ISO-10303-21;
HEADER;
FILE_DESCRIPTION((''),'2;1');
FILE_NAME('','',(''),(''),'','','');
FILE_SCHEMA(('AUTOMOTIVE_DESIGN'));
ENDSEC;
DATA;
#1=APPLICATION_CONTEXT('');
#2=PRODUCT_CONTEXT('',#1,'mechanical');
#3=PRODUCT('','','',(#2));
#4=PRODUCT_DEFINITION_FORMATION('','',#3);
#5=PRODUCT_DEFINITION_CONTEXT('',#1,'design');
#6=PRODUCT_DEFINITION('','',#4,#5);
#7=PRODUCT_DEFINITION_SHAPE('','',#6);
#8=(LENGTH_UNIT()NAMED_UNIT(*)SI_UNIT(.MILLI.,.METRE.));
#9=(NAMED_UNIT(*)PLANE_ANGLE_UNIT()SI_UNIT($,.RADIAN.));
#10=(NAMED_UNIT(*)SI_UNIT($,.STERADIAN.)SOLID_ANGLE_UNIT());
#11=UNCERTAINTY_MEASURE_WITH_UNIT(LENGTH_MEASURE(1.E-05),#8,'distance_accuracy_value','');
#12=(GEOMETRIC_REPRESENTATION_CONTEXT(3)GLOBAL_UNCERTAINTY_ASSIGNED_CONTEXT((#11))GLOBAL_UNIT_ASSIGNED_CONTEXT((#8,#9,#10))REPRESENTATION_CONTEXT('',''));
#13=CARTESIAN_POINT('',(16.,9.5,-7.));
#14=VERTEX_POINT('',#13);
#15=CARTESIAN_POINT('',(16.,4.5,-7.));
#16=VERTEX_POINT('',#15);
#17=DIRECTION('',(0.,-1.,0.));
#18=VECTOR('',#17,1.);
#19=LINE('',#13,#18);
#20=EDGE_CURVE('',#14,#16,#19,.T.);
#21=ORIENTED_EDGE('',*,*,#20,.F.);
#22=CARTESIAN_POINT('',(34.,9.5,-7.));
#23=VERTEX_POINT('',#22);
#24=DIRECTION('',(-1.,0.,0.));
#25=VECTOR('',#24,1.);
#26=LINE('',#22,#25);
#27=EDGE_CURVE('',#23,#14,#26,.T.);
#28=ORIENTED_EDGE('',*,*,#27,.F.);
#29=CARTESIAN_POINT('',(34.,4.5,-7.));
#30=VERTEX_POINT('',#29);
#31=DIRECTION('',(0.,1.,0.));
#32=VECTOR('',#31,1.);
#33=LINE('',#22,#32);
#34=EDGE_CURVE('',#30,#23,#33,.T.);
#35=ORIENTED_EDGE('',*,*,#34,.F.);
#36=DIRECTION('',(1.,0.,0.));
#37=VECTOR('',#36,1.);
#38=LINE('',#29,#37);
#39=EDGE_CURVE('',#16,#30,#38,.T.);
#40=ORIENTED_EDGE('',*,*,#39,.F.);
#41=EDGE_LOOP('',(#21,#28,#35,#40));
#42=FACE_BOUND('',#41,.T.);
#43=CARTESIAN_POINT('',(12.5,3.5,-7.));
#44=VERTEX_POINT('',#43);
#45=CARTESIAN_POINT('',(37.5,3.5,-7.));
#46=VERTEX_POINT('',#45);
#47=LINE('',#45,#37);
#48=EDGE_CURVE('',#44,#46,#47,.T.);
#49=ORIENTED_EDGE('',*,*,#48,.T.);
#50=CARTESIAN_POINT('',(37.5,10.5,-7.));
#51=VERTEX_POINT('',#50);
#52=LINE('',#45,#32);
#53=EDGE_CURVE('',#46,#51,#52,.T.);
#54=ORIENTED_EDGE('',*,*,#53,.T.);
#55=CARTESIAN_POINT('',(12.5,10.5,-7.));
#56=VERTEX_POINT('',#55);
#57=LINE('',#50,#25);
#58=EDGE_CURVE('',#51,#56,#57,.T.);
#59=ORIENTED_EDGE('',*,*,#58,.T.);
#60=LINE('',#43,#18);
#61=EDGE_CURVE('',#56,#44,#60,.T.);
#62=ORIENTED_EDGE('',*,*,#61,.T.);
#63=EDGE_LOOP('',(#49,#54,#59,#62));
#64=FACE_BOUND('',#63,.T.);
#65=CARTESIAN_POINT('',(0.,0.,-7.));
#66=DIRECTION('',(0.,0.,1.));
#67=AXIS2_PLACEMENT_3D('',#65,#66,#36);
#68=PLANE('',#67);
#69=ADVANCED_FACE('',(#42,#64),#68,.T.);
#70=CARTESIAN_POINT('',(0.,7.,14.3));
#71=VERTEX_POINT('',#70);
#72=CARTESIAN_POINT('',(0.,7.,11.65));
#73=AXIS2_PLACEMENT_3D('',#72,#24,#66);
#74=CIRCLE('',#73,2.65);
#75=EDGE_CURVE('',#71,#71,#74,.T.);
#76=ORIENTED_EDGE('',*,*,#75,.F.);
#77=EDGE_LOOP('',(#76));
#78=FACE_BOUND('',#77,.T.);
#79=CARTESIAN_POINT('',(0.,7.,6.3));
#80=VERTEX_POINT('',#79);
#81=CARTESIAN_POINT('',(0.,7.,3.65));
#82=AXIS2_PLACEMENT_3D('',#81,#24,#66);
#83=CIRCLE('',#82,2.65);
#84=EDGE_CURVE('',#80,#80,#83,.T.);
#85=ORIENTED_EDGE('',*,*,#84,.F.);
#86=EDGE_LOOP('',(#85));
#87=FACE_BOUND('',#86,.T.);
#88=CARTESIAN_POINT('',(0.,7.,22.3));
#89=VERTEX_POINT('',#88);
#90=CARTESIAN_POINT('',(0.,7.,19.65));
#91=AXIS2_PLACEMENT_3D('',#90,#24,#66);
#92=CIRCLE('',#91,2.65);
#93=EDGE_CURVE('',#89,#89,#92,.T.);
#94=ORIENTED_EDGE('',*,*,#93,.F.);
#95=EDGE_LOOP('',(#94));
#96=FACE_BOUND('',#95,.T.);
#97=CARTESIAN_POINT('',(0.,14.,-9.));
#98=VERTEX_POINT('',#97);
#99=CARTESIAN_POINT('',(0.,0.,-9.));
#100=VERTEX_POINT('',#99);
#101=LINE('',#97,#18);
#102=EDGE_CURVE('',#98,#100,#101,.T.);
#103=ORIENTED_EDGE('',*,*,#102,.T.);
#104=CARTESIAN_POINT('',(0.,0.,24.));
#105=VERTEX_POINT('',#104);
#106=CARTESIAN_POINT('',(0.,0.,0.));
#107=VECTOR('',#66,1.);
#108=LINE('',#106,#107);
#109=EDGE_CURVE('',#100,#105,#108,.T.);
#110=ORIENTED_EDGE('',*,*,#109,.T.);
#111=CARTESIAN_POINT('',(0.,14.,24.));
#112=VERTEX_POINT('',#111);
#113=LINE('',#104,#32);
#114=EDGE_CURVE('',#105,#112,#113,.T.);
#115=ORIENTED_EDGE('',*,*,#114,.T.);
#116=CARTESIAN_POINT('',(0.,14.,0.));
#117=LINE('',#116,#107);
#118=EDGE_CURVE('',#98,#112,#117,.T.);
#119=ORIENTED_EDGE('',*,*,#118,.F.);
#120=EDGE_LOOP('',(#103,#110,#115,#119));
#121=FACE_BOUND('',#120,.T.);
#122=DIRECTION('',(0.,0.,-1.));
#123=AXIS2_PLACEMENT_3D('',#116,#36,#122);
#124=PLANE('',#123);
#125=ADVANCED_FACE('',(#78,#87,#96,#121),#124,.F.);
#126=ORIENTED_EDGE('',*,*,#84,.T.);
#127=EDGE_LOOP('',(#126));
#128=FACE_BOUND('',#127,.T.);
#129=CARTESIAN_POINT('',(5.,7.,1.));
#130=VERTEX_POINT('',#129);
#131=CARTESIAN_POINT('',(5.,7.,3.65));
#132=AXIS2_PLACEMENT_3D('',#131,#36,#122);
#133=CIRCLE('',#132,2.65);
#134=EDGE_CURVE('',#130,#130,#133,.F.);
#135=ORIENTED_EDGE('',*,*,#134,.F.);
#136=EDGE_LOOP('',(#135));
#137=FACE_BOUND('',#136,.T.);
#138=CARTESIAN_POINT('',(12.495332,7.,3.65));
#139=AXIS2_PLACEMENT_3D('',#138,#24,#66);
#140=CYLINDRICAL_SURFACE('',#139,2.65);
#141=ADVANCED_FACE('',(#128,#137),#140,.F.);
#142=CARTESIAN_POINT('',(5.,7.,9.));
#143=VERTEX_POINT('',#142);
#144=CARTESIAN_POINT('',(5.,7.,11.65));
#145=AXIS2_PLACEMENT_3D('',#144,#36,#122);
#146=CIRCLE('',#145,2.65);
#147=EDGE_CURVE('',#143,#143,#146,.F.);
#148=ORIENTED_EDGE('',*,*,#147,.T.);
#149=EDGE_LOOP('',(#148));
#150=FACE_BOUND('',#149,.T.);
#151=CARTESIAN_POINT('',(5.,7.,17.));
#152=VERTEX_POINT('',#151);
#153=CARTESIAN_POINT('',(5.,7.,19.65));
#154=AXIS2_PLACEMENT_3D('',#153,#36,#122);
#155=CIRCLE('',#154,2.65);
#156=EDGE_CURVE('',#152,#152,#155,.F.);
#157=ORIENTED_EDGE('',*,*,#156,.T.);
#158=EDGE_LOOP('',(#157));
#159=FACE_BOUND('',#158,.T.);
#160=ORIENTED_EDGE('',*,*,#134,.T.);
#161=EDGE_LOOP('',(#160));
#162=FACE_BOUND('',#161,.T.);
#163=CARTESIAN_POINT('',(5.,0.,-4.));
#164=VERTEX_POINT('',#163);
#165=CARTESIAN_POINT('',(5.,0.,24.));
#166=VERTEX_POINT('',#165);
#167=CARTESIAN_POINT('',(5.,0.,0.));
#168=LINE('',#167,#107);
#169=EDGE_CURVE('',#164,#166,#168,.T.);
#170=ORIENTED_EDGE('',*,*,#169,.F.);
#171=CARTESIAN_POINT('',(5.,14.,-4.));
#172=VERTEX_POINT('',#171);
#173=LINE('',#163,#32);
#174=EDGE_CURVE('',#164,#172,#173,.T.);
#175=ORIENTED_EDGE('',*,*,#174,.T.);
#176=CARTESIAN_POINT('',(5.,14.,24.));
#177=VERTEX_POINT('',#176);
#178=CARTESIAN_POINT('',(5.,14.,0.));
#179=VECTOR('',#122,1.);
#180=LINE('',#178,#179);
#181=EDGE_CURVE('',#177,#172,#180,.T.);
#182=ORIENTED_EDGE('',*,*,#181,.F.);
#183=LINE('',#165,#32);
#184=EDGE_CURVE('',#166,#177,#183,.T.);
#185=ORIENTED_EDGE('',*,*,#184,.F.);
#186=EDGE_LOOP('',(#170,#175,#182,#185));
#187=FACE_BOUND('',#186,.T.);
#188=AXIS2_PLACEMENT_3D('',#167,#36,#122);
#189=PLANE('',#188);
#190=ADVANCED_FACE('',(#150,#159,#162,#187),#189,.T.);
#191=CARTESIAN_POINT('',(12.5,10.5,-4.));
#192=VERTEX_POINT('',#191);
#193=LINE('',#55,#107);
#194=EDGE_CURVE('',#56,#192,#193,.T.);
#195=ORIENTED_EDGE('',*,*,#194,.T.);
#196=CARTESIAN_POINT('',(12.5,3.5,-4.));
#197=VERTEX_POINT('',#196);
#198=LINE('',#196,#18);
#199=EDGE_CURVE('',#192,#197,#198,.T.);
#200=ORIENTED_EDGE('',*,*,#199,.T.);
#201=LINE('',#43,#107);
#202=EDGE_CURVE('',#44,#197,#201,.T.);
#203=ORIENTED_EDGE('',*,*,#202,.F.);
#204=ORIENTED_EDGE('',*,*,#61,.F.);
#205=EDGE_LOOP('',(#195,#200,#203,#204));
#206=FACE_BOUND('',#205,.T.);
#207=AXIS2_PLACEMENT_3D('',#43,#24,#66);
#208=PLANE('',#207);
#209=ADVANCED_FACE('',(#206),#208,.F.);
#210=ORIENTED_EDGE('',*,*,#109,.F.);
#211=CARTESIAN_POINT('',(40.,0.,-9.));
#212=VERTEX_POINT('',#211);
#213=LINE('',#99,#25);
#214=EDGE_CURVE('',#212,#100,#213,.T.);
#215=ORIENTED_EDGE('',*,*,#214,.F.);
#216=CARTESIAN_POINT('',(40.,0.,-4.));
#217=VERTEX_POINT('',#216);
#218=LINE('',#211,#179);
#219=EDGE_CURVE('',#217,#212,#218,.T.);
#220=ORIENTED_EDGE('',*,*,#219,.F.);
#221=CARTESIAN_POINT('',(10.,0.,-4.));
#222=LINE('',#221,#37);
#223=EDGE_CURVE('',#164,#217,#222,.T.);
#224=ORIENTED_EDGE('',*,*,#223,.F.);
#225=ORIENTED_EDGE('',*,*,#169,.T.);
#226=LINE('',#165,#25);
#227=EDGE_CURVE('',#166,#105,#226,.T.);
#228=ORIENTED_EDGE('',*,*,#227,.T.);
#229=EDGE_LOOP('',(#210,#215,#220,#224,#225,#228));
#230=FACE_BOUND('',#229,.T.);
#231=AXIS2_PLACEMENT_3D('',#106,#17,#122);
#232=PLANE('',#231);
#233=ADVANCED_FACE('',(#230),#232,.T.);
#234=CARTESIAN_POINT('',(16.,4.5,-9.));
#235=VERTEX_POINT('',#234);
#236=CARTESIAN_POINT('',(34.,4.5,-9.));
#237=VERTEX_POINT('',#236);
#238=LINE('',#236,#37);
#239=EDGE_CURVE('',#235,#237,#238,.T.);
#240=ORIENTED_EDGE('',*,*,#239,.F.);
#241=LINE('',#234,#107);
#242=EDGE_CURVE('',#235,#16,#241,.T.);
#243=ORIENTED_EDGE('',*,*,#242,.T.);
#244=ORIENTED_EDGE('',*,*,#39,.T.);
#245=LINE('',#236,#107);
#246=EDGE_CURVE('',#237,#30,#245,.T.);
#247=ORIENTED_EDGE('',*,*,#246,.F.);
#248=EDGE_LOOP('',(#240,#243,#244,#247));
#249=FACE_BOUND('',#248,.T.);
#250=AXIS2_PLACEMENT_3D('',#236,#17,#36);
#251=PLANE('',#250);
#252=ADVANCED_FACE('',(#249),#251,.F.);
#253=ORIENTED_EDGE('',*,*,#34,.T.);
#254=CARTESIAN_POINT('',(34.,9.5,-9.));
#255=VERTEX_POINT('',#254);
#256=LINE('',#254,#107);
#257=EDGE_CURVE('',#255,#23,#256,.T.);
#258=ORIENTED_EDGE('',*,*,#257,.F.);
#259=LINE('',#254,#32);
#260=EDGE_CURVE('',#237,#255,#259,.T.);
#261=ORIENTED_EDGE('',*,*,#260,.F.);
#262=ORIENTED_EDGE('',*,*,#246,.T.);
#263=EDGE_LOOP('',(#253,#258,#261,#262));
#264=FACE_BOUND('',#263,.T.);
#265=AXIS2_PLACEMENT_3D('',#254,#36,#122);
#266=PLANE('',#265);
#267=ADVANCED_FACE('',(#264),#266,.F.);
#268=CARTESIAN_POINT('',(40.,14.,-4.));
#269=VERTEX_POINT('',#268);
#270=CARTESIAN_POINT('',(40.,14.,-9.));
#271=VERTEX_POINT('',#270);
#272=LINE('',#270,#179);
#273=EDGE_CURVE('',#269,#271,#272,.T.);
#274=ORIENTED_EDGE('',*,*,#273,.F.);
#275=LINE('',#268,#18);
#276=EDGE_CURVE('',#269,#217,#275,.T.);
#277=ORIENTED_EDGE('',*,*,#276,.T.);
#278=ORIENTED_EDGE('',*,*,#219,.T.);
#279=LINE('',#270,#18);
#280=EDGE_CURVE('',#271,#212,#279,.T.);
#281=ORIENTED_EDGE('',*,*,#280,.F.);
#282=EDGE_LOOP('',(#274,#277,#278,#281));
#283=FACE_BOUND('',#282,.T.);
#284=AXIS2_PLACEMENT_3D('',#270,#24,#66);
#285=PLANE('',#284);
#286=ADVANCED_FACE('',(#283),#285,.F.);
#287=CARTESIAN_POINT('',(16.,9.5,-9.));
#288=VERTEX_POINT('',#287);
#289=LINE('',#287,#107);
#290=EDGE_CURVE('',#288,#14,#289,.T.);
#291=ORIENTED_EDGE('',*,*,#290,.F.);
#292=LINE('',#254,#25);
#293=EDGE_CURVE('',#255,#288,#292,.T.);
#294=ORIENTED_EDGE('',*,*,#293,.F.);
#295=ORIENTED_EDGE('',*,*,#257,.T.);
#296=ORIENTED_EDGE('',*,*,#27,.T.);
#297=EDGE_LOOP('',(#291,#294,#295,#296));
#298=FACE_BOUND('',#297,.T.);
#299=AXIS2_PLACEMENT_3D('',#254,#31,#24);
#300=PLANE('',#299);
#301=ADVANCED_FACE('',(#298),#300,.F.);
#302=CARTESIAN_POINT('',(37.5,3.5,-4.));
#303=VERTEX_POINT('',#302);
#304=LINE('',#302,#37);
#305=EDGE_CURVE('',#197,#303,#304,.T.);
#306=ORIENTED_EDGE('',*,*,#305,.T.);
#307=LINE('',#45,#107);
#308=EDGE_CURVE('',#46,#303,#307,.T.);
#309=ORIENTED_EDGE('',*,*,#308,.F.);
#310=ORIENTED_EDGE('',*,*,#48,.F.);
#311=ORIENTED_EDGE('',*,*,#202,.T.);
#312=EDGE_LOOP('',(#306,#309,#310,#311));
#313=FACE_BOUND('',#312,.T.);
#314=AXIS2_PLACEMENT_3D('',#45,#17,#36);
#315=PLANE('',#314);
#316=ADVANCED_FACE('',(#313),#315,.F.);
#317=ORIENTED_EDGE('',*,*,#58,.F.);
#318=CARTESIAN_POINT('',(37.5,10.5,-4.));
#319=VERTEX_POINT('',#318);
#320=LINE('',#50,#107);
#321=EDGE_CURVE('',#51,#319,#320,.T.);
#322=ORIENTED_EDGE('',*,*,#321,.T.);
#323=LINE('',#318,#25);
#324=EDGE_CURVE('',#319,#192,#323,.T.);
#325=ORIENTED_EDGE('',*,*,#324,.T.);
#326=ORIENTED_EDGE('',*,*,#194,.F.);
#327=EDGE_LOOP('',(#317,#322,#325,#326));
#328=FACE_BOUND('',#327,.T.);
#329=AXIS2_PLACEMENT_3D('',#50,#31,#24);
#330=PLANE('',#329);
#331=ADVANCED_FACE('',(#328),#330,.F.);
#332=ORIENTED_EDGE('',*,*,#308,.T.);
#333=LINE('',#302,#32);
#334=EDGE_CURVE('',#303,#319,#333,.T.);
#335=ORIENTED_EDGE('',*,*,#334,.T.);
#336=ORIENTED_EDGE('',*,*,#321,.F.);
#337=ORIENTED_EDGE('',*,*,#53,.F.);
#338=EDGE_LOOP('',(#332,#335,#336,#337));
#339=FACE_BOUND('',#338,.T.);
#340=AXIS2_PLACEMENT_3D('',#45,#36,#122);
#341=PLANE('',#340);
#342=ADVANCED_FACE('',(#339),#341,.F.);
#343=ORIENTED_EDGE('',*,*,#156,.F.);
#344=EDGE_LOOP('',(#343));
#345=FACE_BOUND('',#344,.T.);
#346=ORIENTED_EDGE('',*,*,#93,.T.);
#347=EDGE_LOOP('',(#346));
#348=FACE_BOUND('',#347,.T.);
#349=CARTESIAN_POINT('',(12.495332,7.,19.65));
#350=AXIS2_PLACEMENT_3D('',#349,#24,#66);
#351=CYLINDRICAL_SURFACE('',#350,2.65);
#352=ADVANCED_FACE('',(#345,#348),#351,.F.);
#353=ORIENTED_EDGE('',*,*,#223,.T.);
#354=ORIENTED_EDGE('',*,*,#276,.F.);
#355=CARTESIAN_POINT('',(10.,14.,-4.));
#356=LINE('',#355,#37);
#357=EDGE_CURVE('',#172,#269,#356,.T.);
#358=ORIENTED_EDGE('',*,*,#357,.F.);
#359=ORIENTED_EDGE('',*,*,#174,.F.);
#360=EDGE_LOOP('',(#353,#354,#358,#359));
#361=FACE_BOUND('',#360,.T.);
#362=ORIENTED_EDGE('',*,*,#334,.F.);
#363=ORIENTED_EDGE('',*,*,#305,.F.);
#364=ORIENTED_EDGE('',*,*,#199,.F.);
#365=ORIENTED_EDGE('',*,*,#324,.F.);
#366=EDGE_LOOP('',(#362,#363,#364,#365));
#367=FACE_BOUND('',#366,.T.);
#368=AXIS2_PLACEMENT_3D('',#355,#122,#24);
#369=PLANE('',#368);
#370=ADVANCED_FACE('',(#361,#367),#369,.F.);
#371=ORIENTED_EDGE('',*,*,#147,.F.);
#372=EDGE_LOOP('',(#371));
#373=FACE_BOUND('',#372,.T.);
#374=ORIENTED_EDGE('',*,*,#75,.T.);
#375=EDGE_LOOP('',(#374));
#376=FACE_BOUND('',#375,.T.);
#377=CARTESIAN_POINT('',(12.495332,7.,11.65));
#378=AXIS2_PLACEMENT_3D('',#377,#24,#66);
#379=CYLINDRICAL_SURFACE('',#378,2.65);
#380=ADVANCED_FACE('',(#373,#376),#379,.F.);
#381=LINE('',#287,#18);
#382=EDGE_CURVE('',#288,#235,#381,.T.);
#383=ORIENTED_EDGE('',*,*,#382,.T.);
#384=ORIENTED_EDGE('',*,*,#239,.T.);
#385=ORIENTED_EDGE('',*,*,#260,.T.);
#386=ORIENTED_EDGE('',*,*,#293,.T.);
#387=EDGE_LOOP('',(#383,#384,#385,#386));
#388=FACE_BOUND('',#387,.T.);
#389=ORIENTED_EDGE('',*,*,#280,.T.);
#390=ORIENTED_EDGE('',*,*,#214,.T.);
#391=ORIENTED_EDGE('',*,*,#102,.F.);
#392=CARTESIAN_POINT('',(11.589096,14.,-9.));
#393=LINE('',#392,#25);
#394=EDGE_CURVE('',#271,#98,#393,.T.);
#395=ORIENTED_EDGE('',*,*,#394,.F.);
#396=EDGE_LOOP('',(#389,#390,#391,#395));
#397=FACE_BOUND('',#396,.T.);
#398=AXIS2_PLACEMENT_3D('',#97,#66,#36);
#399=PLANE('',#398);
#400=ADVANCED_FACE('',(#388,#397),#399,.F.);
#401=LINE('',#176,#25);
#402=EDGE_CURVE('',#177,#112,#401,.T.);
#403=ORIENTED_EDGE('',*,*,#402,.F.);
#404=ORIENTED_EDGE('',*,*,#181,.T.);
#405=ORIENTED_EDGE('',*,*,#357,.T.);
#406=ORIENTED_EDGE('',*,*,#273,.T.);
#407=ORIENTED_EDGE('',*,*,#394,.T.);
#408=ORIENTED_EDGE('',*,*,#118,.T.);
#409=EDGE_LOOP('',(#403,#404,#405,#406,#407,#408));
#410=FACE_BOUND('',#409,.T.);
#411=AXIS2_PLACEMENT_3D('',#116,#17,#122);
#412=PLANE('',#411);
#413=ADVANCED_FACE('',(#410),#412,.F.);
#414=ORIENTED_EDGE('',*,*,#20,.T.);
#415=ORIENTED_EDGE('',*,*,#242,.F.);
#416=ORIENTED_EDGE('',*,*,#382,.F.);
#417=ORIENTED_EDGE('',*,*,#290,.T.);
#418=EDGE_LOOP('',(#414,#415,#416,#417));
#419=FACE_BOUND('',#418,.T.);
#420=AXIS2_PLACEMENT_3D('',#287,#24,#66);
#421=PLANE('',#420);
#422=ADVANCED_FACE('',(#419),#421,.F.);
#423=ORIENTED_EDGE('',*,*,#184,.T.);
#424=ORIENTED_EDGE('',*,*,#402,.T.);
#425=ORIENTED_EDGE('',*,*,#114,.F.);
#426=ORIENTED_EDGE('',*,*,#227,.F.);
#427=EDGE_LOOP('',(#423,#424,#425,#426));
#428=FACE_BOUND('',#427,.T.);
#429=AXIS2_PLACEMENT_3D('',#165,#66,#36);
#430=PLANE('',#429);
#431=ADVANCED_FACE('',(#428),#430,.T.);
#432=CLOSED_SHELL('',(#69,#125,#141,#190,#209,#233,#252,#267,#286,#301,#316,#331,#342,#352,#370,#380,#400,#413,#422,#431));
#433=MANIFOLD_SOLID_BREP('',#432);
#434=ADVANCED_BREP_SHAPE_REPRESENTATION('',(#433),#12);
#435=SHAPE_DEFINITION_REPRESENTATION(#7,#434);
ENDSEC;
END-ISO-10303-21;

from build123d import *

# Parameters (mm, degrees)
BOSS_EXTRUDE1_DEPTH  = 14
SKETCH2_W            = 25
SKETCH2_H            = 7
CUT_EXTRUDE3_DEPTH   = 3
SKETCH10_W           = 18
SKETCH10_H           = 5
CUT_EXTRUDE4_DEPTH   = 43.95346319
SKETCH20_W           = 24
SKETCH20_H           = 14
BOSS_EXTRUDE10_DEPTH = 5
SKETCH21_R           = 2.65
CUT_EXTRUDE13_DEPTH  = 5
SKETCH22_W           = 5
SKETCH22_H           = 4
CUT_EXTRUDE14_DEPTH  = 49.703182648
SKETCH23_R           = 2.65
BOSS_EXTRUDE11_DEPTH = 5


with BuildPart() as part:
    # Sketch1 → Boss-Extrude1 (new body)
    with BuildSketch(Plane(origin=(0, 0, 0), x_dir=(1, 0, 0), z_dir=(0, 1, 0))):
        Polygon((6.589095597, 0), (10, 0), (10, 4), (40, 4), (40, 9), (11.589095597, 9), (0, 9), (0, 0), align=None)
    extrude(amount=BOSS_EXTRUDE1_DEPTH)

    # Sketch2 → Cut-Extrude3 (cut)
    with BuildSketch(Plane.XY.offset(-4)):
        with Locations((25, 7)):
            Rectangle(SKETCH2_W, SKETCH2_H)
    extrude(amount=-CUT_EXTRUDE3_DEPTH, mode=Mode.SUBTRACT)

    # Sketch10 → Cut-Extrude4 (cut, through all)
    with BuildSketch(Plane.XY.offset(-7)):
        with Locations((25, 7)):
            Rectangle(SKETCH10_W, SKETCH10_H)
    extrude(amount=-CUT_EXTRUDE4_DEPTH, mode=Mode.SUBTRACT)

    # Sketch20 → Boss-Extrude10 (add)
    with BuildSketch(Plane.ZY):
        with Locations((12, 7)):
            Rectangle(SKETCH20_W, SKETCH20_H)
    extrude(amount=-BOSS_EXTRUDE10_DEPTH)

    # Sketch21 → Cut-Extrude13 (cut)
    with BuildSketch(Plane.ZY):
        with Locations((-4.35, 7)):
            Circle(SKETCH21_R)
        with Locations((3.65, 7)):
            Circle(SKETCH21_R)
        with Locations((11.65, 7)):
            Circle(SKETCH21_R)
        with Locations((19.65, 7)):
            Circle(SKETCH21_R)
    extrude(amount=-CUT_EXTRUDE13_DEPTH, mode=Mode.SUBTRACT)

    # Sketch22 → Cut-Extrude14 (cut, through all)
    with BuildSketch(Plane(origin=(0, 14, 0), x_dir=(1, 0, 0), z_dir=(0, 1, 0))):
        with Locations((7.5, 2)):
            Rectangle(SKETCH22_W, SKETCH22_H)
    extrude(amount=-CUT_EXTRUDE14_DEPTH, mode=Mode.SUBTRACT)

    # Sketch23 → Boss-Extrude11 (add)
    with BuildSketch(Plane.ZY):
        with Locations((-4.35, 7)):
            Circle(SKETCH23_R)
    extrude(amount=-BOSS_EXTRUDE11_DEPTH)


solid = part.part
